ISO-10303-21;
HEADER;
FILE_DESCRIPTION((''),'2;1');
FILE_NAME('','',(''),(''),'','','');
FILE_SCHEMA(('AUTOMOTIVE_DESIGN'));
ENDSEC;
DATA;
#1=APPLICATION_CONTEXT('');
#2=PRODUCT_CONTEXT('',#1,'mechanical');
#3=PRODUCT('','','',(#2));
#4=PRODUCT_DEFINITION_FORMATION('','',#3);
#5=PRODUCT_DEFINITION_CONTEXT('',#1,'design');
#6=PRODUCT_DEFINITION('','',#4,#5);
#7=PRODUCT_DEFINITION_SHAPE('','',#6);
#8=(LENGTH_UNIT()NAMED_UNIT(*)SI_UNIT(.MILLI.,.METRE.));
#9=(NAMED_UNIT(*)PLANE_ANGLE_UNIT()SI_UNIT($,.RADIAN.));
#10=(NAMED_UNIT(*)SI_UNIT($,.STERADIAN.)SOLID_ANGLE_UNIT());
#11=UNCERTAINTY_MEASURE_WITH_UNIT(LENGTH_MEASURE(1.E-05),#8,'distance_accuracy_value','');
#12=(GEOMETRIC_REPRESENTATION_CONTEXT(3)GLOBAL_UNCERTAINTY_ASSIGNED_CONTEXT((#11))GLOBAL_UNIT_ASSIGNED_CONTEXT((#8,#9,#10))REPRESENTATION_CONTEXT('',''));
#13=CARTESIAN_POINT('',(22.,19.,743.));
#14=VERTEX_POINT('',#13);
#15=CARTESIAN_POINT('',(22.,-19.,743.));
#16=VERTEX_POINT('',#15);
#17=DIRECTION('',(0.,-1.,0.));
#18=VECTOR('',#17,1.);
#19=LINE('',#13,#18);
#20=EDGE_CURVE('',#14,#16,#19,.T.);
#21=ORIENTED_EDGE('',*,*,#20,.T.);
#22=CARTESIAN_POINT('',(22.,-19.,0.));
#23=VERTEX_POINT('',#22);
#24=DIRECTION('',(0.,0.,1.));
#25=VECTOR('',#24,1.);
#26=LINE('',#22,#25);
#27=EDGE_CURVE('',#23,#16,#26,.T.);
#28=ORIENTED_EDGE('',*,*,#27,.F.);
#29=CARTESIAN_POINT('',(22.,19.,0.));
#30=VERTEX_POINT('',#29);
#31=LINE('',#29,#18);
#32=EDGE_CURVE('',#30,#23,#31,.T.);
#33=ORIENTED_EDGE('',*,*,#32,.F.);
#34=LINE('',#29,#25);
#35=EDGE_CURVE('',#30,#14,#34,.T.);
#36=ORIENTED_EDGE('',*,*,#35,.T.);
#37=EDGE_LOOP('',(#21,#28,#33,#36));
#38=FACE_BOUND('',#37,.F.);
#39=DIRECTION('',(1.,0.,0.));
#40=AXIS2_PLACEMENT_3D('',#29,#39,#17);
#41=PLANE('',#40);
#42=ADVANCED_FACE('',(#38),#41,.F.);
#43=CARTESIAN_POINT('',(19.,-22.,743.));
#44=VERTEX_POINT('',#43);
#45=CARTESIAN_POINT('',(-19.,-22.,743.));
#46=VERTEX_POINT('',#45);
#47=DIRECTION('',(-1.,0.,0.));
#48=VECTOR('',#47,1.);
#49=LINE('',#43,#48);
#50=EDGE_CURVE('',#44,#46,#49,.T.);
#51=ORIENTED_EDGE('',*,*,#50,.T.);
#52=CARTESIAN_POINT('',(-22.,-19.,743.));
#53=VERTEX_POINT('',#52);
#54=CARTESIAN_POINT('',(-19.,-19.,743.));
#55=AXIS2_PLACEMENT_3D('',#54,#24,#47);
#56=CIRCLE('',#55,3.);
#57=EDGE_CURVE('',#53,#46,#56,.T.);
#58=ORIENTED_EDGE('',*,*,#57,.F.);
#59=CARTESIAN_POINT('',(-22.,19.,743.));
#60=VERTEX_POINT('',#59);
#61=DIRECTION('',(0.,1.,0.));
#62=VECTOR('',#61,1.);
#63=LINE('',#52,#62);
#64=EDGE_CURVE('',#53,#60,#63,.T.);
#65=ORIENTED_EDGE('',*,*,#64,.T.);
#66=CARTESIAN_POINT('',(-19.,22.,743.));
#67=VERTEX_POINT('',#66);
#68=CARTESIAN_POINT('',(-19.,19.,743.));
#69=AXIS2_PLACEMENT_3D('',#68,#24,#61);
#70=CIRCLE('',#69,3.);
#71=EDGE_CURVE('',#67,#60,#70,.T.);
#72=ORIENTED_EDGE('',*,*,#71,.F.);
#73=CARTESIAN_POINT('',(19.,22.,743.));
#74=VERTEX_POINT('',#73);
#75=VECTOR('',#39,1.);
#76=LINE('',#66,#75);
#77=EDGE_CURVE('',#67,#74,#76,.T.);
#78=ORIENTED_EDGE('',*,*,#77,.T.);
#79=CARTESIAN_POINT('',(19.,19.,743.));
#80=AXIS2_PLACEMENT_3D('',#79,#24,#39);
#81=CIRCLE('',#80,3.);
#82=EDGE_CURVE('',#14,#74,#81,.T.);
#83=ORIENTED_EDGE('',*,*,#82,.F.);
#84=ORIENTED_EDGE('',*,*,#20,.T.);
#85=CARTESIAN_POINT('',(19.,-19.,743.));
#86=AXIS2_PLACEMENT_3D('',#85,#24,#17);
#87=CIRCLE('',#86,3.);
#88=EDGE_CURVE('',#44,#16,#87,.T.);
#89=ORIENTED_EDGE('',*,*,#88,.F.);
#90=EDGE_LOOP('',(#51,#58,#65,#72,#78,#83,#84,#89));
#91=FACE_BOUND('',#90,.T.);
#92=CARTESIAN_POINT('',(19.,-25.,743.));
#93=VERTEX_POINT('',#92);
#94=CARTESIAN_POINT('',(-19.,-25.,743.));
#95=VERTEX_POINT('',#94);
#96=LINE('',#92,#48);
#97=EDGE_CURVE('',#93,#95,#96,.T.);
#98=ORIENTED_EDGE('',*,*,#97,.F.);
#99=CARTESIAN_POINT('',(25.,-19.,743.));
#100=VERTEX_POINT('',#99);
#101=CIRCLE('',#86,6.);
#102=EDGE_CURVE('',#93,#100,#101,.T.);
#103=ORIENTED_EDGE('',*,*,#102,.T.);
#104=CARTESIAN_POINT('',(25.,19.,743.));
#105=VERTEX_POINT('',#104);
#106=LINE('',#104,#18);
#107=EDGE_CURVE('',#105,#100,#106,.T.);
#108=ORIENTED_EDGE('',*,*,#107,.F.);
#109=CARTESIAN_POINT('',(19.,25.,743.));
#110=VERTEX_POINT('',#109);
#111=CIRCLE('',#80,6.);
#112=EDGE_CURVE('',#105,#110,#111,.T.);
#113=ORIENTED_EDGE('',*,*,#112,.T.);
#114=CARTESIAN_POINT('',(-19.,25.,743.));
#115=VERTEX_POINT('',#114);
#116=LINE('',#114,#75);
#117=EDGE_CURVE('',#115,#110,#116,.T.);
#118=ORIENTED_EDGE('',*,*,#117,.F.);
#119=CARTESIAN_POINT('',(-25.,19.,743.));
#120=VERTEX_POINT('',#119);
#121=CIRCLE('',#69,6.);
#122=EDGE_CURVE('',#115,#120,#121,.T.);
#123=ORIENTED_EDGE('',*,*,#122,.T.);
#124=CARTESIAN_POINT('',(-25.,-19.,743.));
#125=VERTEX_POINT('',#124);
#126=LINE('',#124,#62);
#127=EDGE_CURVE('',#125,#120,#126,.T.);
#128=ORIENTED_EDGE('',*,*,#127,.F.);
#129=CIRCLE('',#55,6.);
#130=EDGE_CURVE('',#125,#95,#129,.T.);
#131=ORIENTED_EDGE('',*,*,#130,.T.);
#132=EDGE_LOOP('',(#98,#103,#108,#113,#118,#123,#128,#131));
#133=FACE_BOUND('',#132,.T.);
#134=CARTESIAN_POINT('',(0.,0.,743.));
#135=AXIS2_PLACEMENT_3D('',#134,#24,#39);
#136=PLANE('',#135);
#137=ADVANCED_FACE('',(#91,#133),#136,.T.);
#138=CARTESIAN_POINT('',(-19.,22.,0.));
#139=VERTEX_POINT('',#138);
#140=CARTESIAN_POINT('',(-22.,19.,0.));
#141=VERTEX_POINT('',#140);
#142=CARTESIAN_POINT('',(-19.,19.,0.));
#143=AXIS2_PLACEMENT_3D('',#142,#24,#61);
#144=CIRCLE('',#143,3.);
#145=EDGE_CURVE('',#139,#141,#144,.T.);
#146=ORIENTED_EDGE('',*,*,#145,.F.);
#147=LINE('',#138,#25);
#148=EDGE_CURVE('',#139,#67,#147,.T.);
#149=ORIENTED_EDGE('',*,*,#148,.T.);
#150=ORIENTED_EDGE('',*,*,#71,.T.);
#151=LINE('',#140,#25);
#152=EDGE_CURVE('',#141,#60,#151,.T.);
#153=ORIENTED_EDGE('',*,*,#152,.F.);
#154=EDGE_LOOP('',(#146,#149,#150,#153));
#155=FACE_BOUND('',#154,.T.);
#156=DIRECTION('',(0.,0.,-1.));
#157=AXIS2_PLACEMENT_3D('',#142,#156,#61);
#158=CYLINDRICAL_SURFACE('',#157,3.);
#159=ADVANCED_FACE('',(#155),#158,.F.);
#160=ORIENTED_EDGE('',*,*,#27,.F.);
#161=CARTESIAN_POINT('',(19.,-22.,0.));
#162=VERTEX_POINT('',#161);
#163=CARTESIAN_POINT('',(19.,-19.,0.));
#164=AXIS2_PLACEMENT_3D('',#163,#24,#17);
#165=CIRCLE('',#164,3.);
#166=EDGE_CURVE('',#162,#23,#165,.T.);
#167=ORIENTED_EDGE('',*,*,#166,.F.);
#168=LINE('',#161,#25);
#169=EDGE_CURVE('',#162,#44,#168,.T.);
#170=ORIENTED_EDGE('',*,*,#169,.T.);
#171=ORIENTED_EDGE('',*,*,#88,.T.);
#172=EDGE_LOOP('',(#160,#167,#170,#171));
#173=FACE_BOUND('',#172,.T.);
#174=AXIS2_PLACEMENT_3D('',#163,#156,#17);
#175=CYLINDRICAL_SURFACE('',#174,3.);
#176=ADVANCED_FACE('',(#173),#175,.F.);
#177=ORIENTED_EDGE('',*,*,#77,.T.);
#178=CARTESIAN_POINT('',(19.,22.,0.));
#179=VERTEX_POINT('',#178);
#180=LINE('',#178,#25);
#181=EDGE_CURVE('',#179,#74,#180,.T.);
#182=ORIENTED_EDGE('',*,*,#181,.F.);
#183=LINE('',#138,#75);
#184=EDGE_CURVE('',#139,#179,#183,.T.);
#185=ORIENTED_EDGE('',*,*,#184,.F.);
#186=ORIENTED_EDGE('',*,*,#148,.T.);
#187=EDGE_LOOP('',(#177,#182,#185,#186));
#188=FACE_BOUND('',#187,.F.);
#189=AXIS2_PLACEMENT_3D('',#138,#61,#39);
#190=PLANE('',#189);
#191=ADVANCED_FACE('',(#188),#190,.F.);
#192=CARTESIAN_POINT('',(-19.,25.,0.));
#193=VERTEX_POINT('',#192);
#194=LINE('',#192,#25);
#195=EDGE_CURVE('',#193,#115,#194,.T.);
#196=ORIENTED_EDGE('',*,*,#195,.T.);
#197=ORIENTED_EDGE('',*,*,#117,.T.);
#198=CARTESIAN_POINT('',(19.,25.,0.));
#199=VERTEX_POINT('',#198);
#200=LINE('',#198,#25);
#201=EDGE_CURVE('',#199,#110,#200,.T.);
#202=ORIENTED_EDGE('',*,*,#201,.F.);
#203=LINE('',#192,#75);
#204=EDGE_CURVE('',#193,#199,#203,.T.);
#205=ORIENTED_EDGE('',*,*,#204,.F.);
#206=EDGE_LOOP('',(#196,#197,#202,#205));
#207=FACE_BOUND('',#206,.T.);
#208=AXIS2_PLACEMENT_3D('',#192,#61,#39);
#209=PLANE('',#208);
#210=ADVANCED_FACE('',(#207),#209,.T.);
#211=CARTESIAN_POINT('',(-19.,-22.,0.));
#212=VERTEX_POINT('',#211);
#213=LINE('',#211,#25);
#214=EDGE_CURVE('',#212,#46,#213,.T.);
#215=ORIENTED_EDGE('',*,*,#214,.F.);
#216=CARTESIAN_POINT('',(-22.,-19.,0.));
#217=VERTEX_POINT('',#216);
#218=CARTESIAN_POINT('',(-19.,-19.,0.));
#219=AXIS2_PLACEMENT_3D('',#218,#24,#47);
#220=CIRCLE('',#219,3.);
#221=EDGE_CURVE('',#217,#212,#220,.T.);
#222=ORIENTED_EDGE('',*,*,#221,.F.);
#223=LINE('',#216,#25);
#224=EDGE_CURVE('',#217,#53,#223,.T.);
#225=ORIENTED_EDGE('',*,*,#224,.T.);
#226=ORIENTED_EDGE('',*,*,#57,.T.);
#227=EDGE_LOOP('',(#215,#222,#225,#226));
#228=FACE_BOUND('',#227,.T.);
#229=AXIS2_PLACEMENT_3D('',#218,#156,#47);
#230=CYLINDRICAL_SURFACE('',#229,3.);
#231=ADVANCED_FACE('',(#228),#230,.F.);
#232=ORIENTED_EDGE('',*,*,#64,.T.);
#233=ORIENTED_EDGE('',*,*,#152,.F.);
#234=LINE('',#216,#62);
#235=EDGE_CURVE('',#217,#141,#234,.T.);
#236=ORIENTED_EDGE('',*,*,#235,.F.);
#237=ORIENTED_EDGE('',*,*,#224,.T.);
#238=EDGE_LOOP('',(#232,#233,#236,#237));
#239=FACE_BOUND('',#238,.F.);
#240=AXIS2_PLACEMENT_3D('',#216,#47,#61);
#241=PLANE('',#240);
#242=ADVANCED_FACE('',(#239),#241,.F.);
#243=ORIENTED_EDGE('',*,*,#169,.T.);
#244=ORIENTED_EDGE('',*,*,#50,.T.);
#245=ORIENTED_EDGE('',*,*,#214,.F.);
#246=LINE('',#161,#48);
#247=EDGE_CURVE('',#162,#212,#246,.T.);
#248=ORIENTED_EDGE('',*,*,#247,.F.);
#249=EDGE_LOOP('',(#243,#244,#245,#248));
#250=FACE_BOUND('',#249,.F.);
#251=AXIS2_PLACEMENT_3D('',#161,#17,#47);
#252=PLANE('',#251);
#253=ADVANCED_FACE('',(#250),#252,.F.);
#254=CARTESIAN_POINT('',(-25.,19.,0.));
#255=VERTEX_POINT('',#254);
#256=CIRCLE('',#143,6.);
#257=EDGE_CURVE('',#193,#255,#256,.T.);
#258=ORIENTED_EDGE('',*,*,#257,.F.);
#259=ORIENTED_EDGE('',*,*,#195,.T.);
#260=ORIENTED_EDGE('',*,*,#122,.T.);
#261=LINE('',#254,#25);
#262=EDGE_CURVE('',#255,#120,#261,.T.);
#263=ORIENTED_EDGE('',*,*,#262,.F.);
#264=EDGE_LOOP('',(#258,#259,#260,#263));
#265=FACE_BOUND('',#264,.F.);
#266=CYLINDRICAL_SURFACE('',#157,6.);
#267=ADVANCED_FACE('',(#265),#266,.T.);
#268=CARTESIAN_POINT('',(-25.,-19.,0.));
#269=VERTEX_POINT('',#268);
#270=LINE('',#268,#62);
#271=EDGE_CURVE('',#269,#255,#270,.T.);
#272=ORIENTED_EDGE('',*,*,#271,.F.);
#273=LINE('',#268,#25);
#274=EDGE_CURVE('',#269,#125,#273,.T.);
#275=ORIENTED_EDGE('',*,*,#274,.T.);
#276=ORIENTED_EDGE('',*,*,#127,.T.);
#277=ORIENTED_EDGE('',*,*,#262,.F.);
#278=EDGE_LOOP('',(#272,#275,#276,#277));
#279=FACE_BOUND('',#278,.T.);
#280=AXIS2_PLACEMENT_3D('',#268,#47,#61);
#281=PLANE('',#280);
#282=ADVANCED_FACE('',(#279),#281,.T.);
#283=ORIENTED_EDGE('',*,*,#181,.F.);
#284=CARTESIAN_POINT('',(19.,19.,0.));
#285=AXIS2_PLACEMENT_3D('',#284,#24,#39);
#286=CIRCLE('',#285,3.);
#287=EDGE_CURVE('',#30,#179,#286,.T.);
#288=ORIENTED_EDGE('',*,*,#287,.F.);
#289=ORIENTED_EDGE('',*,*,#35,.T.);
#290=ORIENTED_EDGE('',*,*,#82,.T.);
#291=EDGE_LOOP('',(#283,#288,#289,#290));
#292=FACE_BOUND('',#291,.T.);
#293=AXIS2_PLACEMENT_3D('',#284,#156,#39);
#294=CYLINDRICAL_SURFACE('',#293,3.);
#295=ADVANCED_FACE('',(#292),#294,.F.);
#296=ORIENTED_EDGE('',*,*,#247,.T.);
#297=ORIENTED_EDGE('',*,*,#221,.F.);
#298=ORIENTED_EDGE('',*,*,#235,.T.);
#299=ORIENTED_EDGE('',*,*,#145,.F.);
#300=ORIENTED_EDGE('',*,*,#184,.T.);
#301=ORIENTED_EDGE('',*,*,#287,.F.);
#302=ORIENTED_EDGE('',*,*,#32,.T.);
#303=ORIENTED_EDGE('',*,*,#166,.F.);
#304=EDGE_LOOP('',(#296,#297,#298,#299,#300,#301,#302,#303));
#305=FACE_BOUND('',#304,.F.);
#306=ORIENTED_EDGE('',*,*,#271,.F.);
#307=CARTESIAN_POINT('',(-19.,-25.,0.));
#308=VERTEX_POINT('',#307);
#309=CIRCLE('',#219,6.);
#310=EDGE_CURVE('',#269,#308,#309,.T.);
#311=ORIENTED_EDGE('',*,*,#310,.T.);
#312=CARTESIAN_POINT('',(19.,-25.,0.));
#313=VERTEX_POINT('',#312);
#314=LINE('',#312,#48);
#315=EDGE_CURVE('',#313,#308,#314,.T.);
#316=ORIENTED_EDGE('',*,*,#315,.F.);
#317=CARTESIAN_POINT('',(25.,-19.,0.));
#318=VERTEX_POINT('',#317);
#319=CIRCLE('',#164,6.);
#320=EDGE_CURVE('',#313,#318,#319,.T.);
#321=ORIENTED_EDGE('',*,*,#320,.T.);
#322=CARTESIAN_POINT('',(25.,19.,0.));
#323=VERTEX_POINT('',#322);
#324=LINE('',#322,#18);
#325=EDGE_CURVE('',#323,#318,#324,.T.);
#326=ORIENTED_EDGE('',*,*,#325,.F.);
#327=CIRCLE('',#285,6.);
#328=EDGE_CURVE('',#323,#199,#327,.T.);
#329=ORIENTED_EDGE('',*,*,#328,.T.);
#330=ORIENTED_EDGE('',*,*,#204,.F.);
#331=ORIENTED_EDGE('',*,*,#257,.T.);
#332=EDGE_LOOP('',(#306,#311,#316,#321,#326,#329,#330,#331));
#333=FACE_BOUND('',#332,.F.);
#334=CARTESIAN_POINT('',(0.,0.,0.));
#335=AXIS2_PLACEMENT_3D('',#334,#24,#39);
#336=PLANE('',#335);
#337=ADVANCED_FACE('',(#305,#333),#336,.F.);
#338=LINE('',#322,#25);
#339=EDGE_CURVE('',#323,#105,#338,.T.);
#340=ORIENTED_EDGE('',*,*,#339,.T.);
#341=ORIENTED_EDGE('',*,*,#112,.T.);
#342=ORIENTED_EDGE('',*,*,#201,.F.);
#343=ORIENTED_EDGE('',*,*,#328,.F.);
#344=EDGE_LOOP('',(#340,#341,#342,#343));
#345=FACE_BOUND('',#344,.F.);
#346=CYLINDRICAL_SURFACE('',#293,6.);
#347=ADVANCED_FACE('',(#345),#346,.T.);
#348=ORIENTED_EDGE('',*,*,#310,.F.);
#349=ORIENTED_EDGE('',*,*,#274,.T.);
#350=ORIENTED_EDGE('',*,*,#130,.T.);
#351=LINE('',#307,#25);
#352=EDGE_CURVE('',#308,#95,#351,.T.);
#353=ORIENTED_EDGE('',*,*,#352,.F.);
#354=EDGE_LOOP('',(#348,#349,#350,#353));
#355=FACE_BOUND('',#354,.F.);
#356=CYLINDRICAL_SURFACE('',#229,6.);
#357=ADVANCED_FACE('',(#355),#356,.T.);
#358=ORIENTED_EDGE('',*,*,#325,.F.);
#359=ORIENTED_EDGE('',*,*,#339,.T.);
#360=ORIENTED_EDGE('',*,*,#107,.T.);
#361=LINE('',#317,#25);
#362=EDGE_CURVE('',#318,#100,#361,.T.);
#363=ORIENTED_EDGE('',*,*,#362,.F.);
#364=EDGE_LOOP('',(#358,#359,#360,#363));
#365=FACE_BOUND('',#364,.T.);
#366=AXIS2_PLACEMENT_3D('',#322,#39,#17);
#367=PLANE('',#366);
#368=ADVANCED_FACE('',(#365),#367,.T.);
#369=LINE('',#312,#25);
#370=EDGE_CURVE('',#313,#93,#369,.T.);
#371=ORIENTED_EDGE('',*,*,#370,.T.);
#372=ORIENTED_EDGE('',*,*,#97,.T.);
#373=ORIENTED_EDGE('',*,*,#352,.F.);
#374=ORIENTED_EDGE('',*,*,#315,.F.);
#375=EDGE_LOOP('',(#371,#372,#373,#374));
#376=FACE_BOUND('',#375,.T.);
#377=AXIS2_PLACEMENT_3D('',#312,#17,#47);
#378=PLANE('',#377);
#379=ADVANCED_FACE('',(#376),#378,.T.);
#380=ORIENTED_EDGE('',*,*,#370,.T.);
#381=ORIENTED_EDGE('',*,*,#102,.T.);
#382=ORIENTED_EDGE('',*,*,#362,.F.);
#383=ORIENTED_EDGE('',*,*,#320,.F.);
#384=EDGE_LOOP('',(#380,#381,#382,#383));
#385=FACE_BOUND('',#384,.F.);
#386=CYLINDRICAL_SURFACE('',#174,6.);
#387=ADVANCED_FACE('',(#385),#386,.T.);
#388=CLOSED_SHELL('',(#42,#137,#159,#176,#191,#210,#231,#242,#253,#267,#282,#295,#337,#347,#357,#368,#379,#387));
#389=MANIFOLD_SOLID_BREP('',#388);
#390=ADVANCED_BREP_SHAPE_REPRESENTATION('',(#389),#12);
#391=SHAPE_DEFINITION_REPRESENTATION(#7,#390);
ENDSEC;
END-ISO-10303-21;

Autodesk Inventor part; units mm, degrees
ref_plane "YZ Plane" through (0, 0, 0) normal (1, 0, 0) x (0, 1, 0)
ref_plane "Start Plane" through (0, 0, 0) normal (0, 0, 1) x (1, 0, 0)
ref_plane "End Plane" through (0, 0, 743) normal (0, 0, 1) x (1, 0, 0)
sketch "Sketch" plane through (0, 0, 0) normal (0, 0, 1) x (1, 0, 0)
  line L0 (-25, -19) -> (-25, 19)
  line L1 (-19, 25) -> (19, 25)
  line L2 (25, 19) -> (25, -19)
  line L3 (19, -25) -> (-19, -25)
  arc A0 (-25, -19) -> (-19, -25) centre (-19, -19) ccw
  arc A1 (25, 19) -> (19, 25) centre (19, 19) ccw
  arc A2 (-19, 25) -> (-25, 19) centre (-19, 19) ccw
  arc A3 (19, -25) -> (25, -19) centre (19, -19) ccw
  arc A4 (-19, 22) -> (-22, 19) centre (-19, 19) ccw
  line L4 (-19, 22) -> (19, 22)
  arc A5 (22, 19) -> (19, 22) centre (19, 19) ccw
  line L5 (22, 19) -> (22, -19)
  arc A6 (19, -22) -> (22, -19) centre (19, -19) ccw
  line L6 (19, -22) -> (-19, -22)
  arc A7 (-22, -19) -> (-19, -22) centre (-19, -19) ccw
  line L7 (-22, -19) -> (-22, 19)
  line L8 (0, 36.7397) -> (0, -36.7397) construction
  line L9 (-36.7397, 0) -> (36.7397, 0) construction
  dimension "d7" = 6
  dimension "d9" = 50
  dimension "d11" = 50
  dimension "d12" = 3
  dimension "d15" = 25
  dimension "d16" = 25
extrude "Body" add sketch "Sketch" along normal up to surface (743 mm away) from surface at 0
sketch "Sketch3" plane through (0, 0, 0) normal (0, 0, 1) x (1, 0, 0)
  line L0 (0, 0) -> (10, 0)
ref_plane "Work Plane3" through (0, 0, 0) normal (0, -1, 0) x (1, 0, 0)
sketch "Sketch4" plane through (0, 0, 0) normal (0, -1, 0) x (1, 0, 0)
  line L0 (-2, 0) -> (12, 0) projected
  line L1 (-2, 743) -> (12, 743) projected
  dimension "d18" = 743
equation "\"d7\" = G_IR"
equation "\"d9\" = G_W"
equation "\"d11\" = G_H"
equation "\"d12\" = G_T"
equation "\"d15\" = 0.5 * d9"
equation "\"d16\" = 0.5 * d11"
equation "\"d3\" = G_L"
equation "\"G_W\" = 50"
equation "\"G_H\" = 50"
equation "\"G_T\" = 3"
equation "\"G_IR\" = 6"
equation "\"G_L\" = d18"
equation "\"G_OFFSET_START\" = 0"
equation "\"d14\" = G_OFFSET_END + B_L"
equation "\"B_L\" = 793"
equation "\"G_OFFSET_END\" = -50"
properties part number "ISO 4019 - 50x50x3 - 743" material "Steel, Mild"
